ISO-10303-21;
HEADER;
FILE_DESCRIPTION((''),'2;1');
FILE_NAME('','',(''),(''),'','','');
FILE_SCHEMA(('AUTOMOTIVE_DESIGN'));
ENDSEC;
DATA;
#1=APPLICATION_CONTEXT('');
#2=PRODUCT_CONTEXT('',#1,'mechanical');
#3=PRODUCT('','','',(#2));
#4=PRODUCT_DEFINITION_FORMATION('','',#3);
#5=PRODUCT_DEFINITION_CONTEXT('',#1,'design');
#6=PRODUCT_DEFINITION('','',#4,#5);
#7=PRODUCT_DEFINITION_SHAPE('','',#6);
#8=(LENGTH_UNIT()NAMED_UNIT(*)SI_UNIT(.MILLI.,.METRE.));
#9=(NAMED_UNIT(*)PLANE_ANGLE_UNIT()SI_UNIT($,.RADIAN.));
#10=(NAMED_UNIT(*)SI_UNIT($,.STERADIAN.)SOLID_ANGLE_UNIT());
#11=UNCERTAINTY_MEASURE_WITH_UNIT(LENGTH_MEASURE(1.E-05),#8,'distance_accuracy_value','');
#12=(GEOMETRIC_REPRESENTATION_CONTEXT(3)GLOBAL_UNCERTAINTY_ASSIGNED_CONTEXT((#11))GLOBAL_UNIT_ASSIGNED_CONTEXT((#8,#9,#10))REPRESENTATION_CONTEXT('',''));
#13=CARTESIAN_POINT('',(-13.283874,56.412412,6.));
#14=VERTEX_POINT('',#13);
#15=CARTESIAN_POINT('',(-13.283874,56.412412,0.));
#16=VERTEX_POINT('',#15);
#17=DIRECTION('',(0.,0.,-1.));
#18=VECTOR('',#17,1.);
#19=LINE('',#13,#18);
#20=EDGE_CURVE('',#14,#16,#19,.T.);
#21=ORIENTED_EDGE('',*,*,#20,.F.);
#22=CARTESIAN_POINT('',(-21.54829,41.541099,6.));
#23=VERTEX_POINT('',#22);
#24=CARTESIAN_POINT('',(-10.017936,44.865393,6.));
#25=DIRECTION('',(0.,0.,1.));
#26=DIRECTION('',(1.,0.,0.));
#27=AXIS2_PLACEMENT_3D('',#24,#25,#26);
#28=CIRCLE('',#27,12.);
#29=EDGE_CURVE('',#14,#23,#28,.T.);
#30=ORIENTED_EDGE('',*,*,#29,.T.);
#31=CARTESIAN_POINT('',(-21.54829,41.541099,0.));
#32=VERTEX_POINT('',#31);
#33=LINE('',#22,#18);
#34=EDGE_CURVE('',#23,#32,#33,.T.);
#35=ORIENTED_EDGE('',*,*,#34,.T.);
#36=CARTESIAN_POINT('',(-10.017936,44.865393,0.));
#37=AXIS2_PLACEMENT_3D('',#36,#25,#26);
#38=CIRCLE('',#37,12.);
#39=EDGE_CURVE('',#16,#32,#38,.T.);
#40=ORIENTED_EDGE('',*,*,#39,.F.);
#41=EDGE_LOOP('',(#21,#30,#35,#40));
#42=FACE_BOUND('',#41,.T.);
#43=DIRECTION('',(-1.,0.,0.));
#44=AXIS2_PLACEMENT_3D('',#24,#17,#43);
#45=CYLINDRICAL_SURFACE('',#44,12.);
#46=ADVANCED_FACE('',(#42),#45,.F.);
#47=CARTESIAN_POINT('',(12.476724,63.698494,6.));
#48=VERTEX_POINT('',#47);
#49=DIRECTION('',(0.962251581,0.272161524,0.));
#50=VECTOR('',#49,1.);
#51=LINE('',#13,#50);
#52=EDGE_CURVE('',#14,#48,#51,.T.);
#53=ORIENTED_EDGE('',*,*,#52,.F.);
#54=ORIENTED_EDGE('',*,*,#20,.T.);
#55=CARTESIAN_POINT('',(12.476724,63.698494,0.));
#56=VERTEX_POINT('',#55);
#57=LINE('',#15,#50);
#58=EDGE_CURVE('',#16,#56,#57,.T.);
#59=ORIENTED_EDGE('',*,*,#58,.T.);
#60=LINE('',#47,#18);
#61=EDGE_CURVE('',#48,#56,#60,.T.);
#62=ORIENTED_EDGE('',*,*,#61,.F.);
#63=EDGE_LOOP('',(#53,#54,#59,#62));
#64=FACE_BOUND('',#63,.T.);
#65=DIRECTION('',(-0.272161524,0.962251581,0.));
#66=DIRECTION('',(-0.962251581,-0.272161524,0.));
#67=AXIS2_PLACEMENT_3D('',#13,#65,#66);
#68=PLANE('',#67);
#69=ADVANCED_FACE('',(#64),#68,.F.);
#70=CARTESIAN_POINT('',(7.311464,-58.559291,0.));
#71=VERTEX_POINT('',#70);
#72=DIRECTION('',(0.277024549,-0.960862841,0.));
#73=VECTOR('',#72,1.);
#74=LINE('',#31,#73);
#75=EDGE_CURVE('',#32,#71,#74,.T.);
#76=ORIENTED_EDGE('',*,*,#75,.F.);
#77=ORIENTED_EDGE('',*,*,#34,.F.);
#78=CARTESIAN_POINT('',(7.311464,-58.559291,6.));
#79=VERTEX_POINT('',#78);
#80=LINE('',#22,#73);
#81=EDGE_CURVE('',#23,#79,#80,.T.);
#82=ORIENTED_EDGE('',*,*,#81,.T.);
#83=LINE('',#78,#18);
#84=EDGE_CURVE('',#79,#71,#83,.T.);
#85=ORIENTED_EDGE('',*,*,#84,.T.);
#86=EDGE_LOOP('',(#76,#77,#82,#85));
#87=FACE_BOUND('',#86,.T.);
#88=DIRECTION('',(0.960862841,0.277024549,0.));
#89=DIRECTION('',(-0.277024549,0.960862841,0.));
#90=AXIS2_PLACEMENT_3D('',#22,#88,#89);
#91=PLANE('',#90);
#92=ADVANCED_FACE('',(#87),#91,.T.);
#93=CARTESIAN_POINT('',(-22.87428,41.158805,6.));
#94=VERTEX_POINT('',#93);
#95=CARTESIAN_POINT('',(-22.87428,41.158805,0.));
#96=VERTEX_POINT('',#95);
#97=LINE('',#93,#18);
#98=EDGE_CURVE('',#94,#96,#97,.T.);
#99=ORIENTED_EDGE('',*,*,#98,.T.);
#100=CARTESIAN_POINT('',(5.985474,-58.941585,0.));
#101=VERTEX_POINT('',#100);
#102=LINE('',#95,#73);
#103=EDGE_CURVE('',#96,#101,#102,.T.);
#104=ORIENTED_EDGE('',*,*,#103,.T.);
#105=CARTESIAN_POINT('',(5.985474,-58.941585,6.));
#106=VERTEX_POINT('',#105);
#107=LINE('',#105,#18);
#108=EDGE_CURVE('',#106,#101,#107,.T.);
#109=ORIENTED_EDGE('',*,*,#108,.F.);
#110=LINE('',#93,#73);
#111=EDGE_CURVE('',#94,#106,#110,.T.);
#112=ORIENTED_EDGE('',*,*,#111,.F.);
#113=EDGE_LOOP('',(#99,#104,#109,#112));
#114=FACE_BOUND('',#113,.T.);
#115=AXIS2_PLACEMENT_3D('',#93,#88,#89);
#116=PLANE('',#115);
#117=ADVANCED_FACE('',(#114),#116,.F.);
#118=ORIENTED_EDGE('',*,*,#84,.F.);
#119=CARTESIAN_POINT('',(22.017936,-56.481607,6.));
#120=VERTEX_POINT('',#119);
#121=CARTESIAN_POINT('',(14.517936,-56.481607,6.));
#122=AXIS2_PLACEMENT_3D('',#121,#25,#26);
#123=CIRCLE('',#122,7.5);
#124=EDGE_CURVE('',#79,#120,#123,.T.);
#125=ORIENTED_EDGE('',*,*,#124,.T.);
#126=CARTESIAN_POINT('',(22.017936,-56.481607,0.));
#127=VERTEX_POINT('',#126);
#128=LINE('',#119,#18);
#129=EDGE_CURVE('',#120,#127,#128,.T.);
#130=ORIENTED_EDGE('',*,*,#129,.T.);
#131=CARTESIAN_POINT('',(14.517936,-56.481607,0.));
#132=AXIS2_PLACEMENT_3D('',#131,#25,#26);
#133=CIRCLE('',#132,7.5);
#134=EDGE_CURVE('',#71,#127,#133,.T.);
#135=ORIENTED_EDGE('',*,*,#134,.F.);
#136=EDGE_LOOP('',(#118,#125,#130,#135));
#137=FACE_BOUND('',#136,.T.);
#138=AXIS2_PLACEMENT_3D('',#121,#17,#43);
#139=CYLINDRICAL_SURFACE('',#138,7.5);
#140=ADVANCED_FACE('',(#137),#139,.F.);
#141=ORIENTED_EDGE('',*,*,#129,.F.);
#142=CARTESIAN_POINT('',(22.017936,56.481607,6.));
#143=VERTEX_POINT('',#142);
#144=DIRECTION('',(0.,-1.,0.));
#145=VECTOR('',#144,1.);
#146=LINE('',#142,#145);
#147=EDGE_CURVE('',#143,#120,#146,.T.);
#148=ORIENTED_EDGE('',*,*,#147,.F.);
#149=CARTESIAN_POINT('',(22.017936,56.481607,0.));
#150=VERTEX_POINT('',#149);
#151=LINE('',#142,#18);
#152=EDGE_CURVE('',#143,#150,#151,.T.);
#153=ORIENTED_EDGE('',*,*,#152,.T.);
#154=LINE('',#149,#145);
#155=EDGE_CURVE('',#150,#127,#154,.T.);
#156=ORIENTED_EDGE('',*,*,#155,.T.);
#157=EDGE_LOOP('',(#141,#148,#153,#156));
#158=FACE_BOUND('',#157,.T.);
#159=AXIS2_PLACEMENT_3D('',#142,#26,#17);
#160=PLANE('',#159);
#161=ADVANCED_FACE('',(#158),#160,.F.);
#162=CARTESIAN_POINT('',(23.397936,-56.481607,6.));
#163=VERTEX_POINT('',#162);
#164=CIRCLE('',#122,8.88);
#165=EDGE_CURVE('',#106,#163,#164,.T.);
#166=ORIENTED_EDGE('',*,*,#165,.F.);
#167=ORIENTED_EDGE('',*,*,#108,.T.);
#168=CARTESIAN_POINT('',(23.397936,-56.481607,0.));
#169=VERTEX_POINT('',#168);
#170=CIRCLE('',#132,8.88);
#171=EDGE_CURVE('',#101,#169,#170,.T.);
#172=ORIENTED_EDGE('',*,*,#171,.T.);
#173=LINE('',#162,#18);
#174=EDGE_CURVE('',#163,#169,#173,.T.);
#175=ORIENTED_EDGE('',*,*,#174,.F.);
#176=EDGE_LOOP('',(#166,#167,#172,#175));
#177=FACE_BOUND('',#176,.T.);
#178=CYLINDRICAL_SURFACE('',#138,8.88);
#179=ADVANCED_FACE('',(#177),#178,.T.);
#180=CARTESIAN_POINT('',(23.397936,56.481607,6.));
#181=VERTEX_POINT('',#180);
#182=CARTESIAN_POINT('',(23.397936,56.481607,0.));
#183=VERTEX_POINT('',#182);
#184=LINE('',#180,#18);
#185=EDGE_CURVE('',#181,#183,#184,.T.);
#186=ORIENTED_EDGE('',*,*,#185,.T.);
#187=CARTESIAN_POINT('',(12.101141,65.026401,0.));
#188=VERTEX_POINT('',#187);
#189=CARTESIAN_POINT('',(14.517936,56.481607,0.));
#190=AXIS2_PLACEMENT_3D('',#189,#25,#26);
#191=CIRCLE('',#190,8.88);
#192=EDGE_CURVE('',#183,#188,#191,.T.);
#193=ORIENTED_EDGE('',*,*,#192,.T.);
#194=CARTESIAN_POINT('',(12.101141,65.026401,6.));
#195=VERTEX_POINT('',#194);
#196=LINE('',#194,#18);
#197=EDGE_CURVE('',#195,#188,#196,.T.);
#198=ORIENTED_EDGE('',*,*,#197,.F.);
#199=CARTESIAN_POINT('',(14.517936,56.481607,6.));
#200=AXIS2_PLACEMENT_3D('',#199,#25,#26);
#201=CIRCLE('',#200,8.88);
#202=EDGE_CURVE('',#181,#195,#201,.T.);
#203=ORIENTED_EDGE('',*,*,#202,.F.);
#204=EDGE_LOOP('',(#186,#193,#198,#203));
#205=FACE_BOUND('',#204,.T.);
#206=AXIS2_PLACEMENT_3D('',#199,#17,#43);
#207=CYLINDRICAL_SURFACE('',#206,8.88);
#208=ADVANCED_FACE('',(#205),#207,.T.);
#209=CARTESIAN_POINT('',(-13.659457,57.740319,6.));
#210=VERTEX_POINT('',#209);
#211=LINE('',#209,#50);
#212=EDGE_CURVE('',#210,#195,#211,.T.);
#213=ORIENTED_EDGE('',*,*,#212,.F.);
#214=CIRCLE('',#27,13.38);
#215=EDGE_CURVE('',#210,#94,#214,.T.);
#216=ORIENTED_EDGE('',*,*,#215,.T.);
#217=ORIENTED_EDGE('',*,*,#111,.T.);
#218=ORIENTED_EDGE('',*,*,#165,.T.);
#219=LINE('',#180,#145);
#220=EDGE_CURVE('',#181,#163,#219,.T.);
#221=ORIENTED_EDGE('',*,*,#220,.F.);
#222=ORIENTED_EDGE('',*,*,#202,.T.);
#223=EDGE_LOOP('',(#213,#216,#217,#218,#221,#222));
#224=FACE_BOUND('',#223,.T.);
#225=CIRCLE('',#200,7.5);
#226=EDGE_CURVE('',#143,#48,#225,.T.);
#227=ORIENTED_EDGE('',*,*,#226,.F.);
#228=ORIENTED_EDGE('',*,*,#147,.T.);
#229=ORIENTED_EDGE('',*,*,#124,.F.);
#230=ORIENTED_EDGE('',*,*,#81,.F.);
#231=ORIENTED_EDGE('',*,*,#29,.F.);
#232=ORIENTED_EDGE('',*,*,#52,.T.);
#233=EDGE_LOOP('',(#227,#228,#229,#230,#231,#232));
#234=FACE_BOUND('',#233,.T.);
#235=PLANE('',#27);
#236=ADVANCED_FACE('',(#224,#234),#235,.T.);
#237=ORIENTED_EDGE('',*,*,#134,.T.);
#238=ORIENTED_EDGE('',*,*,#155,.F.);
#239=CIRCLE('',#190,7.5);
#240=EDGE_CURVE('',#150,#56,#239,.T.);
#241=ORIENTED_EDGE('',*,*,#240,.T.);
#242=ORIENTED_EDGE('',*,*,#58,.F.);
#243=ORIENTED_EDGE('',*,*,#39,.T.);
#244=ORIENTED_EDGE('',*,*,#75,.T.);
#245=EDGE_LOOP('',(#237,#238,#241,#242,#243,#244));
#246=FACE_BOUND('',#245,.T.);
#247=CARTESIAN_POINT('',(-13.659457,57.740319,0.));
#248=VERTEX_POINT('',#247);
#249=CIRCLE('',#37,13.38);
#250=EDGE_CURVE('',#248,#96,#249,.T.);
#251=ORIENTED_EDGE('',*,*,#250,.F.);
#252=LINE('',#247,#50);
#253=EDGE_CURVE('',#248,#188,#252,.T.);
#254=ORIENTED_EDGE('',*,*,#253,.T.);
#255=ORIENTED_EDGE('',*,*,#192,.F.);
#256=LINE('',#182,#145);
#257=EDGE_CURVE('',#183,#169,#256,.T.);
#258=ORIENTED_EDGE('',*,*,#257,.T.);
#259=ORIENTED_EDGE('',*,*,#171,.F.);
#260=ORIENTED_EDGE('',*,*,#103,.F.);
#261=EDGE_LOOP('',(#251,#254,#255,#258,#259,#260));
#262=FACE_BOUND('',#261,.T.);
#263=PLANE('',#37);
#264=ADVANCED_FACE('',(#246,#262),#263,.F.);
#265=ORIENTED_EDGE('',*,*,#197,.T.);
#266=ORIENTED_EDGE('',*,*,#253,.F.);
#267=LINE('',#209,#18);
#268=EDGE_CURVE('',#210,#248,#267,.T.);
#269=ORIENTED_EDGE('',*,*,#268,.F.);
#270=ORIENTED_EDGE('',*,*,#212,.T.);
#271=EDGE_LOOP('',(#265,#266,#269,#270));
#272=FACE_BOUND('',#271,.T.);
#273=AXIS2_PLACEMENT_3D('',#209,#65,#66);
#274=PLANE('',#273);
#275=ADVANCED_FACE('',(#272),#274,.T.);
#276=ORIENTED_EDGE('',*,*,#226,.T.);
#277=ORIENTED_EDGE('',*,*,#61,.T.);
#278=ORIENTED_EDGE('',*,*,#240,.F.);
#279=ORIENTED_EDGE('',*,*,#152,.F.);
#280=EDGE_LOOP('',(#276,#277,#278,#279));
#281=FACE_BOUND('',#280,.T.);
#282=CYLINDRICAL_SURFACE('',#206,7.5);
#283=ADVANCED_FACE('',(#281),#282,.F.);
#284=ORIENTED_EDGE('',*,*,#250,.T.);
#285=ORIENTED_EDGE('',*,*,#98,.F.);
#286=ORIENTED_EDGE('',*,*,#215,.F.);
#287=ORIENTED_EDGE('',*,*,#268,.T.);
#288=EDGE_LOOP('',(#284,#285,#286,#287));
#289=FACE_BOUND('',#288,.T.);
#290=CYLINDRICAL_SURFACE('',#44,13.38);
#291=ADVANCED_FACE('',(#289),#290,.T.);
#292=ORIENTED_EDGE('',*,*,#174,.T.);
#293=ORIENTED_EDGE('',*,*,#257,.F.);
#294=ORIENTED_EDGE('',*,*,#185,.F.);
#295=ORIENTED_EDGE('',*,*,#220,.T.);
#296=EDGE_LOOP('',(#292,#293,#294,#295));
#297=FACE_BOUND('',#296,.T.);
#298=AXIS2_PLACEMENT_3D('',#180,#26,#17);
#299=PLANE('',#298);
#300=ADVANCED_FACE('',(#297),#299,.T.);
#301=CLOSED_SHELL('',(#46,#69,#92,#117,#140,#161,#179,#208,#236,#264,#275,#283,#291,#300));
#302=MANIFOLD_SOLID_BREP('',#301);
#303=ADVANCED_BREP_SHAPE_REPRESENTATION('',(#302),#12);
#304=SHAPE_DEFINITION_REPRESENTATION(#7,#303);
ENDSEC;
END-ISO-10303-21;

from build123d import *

# Parameters (mm, degrees)
EXTRUDE_THIN1_DEPTH = 6


with BuildPart() as part:
    # Sketch1 → Extrude-Thin1 (new body)
    with BuildSketch(Plane.XY):
        with BuildLine():
            Line((-13.659456823, 57.740319341), (12.1011413, 65.02640105))
            ThreePointArc((12.1011413, 65.02640105), (19.874859485, 63.563821837), (23.397935632, 56.481607012))
            Line((23.397935632, 56.481607012), (23.397935632, -56.481607012))
            ThreePointArc((23.397935632, -56.481607012), (15.760138751, -65.274293257), (5.985473603, -58.941585003))
            Line((5.985473603, -58.941585003), (-22.874280447, 41.15880473))
            ThreePointArc((-22.874280447, 41.15880473), (-21.7133002, 51.364842983), (-13.659456823, 57.740319341))
        make_face()
        with BuildLine():
            Line((-13.28387392, 56.41241216), (12.476724203, 63.698493868))
            ThreePointArc((12.476724203, 63.698493868), (19.042364562, 62.463207371), (22.017935632, 56.481607012))
            Line((22.017935632, 56.481607012), (22.017935632, -56.481607012))
            ThreePointArc((22.017935632, -56.481607012), (15.567093672, -63.907862287), (7.311464324, -58.559291126))
            Line((7.311464324, -58.559291126), (-21.548289726, 41.541098607))
            ThreePointArc((-21.548289726, 41.541098607), (-20.507051837, 50.694496143), (-13.28387392, 56.41241216))
        make_face(mode=Mode.SUBTRACT)
    extrude(amount=EXTRUDE_THIN1_DEPTH)


solid = part.part
